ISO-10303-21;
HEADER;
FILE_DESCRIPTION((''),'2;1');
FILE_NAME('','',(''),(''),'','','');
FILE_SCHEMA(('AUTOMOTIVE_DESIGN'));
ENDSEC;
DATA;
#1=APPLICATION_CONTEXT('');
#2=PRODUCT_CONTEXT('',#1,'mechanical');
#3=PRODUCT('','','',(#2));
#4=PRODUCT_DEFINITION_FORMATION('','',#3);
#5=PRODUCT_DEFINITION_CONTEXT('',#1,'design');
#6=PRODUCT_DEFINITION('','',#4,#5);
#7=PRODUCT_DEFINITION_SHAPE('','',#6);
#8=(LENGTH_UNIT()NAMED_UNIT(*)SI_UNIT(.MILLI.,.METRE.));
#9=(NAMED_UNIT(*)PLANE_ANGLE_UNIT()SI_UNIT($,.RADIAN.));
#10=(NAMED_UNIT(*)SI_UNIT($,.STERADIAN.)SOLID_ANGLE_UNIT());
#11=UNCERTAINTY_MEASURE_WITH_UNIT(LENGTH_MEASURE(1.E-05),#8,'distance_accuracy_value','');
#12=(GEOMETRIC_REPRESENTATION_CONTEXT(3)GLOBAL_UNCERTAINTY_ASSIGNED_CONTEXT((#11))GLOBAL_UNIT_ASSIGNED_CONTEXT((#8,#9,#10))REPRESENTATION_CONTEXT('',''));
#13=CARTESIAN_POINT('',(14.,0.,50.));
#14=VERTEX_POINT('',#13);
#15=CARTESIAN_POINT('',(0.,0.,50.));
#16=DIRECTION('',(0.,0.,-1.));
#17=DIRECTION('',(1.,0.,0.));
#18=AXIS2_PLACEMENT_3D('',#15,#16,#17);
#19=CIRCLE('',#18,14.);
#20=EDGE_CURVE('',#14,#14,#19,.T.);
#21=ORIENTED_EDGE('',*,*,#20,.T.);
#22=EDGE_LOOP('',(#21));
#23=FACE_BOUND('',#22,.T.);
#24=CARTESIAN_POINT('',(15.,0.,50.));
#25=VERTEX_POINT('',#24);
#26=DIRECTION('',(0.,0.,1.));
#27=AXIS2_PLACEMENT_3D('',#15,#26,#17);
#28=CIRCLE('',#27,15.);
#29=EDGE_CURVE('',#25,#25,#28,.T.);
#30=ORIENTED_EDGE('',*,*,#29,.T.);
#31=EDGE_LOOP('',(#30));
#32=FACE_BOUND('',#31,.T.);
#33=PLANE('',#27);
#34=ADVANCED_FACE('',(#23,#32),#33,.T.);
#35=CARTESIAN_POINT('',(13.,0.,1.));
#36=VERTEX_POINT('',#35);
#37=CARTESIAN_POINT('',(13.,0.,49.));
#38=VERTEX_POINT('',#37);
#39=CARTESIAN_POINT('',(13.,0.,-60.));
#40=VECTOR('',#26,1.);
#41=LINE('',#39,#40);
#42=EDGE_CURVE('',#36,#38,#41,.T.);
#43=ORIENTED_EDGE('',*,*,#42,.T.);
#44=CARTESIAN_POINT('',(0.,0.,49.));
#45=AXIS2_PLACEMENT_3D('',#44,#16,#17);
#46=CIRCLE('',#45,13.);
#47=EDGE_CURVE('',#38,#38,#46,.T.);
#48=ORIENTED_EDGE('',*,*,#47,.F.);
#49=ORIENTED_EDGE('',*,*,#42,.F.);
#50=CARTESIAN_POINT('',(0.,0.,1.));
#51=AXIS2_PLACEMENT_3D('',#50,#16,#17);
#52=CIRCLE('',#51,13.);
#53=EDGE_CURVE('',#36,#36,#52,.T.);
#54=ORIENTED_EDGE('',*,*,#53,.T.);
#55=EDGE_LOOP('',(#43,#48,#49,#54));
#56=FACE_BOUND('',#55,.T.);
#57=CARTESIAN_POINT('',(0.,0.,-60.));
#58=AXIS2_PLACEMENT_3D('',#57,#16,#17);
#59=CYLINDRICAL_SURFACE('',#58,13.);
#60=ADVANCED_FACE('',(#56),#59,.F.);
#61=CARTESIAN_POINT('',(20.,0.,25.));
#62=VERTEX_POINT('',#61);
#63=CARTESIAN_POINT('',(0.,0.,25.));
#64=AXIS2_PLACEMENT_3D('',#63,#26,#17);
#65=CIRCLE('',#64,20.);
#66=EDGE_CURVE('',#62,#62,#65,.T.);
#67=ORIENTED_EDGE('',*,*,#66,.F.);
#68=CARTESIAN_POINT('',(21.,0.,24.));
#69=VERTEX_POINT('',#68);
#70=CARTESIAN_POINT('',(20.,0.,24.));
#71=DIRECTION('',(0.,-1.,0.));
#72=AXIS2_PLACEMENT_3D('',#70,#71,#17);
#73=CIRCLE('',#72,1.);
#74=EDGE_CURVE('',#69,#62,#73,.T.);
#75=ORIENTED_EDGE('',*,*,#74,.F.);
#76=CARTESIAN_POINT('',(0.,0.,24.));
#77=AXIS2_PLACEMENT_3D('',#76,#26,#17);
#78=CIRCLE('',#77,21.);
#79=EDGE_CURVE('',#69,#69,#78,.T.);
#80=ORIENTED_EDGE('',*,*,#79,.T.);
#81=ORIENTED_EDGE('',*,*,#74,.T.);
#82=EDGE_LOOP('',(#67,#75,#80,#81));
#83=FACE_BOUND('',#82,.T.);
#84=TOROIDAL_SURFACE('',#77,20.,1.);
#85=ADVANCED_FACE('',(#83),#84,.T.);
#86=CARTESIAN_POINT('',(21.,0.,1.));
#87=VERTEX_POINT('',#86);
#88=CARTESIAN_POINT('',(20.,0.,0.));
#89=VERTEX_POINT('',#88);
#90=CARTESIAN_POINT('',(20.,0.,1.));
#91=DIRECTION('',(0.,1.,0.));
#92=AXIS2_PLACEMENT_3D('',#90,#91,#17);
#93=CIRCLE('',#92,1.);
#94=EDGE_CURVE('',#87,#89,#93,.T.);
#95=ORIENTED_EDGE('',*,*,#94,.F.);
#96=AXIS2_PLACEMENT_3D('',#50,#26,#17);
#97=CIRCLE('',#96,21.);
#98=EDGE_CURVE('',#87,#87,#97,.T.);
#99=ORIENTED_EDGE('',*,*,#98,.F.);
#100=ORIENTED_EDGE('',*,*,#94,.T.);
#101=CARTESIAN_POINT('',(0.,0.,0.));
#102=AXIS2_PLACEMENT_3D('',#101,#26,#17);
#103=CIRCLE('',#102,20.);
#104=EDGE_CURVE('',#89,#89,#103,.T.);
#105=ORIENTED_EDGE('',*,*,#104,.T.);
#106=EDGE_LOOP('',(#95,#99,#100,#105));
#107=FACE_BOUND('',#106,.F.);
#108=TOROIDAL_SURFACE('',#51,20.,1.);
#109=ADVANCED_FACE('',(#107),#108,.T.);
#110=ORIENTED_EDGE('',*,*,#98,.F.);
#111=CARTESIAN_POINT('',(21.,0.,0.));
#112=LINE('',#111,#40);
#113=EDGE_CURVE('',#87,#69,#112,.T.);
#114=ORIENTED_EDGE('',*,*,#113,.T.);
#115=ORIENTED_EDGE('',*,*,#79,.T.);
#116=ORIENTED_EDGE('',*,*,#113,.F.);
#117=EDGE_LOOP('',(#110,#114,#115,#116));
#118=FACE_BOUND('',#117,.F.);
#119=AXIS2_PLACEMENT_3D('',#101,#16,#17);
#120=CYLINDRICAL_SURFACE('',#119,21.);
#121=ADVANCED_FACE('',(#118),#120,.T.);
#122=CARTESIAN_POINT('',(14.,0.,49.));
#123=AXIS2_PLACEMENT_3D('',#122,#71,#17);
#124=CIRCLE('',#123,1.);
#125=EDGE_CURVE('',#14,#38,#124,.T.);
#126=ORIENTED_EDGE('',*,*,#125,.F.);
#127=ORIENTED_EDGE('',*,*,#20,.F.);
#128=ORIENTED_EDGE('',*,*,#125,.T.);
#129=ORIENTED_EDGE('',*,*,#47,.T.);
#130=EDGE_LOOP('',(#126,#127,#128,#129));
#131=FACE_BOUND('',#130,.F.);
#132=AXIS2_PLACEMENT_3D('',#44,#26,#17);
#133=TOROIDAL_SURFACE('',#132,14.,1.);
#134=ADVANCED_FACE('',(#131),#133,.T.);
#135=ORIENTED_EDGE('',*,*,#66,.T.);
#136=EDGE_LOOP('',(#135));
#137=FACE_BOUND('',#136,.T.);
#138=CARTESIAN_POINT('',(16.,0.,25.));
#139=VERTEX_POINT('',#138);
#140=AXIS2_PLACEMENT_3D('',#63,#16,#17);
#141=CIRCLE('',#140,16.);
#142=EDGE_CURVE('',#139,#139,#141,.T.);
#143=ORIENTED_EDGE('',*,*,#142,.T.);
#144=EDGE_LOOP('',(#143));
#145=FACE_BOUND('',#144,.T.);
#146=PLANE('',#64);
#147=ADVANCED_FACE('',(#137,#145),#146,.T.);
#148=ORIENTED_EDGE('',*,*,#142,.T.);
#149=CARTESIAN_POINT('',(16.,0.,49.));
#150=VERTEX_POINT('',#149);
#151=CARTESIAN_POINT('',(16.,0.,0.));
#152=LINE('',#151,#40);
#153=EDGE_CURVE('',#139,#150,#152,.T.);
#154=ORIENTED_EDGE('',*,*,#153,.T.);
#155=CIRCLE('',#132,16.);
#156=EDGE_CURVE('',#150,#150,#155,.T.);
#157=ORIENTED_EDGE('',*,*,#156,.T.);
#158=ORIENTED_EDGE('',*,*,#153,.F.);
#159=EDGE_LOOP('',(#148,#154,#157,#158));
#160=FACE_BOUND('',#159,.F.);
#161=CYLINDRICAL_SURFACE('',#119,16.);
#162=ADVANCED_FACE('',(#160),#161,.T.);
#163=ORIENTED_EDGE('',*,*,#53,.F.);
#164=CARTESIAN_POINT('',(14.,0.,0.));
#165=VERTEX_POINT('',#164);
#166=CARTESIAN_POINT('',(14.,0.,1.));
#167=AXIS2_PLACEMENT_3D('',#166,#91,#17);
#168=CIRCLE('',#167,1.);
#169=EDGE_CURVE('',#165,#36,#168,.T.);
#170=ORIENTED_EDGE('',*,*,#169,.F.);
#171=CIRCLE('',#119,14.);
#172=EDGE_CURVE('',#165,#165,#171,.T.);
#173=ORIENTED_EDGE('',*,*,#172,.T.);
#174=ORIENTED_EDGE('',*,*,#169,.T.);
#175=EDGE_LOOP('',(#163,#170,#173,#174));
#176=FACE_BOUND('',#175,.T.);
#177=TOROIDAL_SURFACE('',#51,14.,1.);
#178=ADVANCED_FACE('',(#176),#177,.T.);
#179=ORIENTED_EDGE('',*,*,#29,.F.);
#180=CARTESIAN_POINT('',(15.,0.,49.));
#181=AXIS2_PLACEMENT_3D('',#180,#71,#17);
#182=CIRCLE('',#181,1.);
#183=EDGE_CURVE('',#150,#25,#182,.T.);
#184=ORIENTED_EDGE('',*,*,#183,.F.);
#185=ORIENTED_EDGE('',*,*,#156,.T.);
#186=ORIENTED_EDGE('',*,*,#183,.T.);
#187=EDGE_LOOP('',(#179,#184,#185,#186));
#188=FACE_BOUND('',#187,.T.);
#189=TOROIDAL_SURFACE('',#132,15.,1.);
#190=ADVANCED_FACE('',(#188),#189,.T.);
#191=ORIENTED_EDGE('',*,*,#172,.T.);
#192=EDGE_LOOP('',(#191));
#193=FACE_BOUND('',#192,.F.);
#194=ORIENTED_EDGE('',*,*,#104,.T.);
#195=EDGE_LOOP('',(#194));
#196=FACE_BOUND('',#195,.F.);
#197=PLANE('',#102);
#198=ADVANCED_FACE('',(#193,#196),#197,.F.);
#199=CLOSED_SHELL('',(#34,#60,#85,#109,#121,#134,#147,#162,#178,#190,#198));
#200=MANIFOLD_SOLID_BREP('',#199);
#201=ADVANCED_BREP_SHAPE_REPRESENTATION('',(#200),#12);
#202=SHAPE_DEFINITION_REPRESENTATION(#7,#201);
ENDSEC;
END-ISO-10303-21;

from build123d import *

# Parameters (mm, degrees)
CYLINDER002_R     = 13
CYLINDER002_DEPTH = 120
CYLINDER001_R     = 16
CYLINDER001_DEPTH = 50
FILLET001_R       = 1
CYLINDER003_R     = 16
CYLINDER003_DEPTH = 120
CYLINDER_R        = 21
CYLINDER_DEPTH    = 25
FILLET_R          = 1


with BuildPart() as indre_hul:
    # Cylinder002 → Cylinder002 (new body)
    with BuildSketch(Plane.XY.offset(-60)):
        Circle(CYLINDER002_R)
    extrude(amount=CYLINDER002_DEPTH)


with BuildPart() as fillet001:
    # Cylinder001 → Cylinder001 (new body)
    with BuildSketch(Plane.XY):
        Circle(CYLINDER001_R)
    extrude(amount=CYLINDER001_DEPTH)

    # Cut: cut Indre hul
    add(indre_hul.part, mode=Mode.SUBTRACT)

    # Fillet001
    fillet001_edges = [fillet001.edges().sort_by_distance(p)[0] for p in [
        (-16, 0, 50),
        (-13, 0, 50),
        (-13, 0, 0),
    ]]
    fillet(fillet001_edges, radius=FILLET001_R)


with BuildPart() as indre_hul001:
    # Cylinder003 → Cylinder003 (new body)
    with BuildSketch(Plane.XY.offset(-60)):
        Circle(CYLINDER003_R)
    extrude(amount=CYLINDER003_DEPTH)


with BuildPart() as fusion:
    # Cylinder → Cylinder (new body)
    with BuildSketch(Plane.XY):
        Circle(CYLINDER_R)
    extrude(amount=CYLINDER_DEPTH)

    # Cut001: cut Indre hul001
    add(indre_hul001.part, mode=Mode.SUBTRACT)

    # Fillet
    fillet_edges = [fusion.edges().sort_by_distance(p)[0] for p in [
        (-21, 0, 25),
        (-21, 0, 0),
    ]]
    fillet(fillet_edges, radius=FILLET_R)

    # Fusion: union Fillet001
    add(fillet001.part)


solid = fusion.part
